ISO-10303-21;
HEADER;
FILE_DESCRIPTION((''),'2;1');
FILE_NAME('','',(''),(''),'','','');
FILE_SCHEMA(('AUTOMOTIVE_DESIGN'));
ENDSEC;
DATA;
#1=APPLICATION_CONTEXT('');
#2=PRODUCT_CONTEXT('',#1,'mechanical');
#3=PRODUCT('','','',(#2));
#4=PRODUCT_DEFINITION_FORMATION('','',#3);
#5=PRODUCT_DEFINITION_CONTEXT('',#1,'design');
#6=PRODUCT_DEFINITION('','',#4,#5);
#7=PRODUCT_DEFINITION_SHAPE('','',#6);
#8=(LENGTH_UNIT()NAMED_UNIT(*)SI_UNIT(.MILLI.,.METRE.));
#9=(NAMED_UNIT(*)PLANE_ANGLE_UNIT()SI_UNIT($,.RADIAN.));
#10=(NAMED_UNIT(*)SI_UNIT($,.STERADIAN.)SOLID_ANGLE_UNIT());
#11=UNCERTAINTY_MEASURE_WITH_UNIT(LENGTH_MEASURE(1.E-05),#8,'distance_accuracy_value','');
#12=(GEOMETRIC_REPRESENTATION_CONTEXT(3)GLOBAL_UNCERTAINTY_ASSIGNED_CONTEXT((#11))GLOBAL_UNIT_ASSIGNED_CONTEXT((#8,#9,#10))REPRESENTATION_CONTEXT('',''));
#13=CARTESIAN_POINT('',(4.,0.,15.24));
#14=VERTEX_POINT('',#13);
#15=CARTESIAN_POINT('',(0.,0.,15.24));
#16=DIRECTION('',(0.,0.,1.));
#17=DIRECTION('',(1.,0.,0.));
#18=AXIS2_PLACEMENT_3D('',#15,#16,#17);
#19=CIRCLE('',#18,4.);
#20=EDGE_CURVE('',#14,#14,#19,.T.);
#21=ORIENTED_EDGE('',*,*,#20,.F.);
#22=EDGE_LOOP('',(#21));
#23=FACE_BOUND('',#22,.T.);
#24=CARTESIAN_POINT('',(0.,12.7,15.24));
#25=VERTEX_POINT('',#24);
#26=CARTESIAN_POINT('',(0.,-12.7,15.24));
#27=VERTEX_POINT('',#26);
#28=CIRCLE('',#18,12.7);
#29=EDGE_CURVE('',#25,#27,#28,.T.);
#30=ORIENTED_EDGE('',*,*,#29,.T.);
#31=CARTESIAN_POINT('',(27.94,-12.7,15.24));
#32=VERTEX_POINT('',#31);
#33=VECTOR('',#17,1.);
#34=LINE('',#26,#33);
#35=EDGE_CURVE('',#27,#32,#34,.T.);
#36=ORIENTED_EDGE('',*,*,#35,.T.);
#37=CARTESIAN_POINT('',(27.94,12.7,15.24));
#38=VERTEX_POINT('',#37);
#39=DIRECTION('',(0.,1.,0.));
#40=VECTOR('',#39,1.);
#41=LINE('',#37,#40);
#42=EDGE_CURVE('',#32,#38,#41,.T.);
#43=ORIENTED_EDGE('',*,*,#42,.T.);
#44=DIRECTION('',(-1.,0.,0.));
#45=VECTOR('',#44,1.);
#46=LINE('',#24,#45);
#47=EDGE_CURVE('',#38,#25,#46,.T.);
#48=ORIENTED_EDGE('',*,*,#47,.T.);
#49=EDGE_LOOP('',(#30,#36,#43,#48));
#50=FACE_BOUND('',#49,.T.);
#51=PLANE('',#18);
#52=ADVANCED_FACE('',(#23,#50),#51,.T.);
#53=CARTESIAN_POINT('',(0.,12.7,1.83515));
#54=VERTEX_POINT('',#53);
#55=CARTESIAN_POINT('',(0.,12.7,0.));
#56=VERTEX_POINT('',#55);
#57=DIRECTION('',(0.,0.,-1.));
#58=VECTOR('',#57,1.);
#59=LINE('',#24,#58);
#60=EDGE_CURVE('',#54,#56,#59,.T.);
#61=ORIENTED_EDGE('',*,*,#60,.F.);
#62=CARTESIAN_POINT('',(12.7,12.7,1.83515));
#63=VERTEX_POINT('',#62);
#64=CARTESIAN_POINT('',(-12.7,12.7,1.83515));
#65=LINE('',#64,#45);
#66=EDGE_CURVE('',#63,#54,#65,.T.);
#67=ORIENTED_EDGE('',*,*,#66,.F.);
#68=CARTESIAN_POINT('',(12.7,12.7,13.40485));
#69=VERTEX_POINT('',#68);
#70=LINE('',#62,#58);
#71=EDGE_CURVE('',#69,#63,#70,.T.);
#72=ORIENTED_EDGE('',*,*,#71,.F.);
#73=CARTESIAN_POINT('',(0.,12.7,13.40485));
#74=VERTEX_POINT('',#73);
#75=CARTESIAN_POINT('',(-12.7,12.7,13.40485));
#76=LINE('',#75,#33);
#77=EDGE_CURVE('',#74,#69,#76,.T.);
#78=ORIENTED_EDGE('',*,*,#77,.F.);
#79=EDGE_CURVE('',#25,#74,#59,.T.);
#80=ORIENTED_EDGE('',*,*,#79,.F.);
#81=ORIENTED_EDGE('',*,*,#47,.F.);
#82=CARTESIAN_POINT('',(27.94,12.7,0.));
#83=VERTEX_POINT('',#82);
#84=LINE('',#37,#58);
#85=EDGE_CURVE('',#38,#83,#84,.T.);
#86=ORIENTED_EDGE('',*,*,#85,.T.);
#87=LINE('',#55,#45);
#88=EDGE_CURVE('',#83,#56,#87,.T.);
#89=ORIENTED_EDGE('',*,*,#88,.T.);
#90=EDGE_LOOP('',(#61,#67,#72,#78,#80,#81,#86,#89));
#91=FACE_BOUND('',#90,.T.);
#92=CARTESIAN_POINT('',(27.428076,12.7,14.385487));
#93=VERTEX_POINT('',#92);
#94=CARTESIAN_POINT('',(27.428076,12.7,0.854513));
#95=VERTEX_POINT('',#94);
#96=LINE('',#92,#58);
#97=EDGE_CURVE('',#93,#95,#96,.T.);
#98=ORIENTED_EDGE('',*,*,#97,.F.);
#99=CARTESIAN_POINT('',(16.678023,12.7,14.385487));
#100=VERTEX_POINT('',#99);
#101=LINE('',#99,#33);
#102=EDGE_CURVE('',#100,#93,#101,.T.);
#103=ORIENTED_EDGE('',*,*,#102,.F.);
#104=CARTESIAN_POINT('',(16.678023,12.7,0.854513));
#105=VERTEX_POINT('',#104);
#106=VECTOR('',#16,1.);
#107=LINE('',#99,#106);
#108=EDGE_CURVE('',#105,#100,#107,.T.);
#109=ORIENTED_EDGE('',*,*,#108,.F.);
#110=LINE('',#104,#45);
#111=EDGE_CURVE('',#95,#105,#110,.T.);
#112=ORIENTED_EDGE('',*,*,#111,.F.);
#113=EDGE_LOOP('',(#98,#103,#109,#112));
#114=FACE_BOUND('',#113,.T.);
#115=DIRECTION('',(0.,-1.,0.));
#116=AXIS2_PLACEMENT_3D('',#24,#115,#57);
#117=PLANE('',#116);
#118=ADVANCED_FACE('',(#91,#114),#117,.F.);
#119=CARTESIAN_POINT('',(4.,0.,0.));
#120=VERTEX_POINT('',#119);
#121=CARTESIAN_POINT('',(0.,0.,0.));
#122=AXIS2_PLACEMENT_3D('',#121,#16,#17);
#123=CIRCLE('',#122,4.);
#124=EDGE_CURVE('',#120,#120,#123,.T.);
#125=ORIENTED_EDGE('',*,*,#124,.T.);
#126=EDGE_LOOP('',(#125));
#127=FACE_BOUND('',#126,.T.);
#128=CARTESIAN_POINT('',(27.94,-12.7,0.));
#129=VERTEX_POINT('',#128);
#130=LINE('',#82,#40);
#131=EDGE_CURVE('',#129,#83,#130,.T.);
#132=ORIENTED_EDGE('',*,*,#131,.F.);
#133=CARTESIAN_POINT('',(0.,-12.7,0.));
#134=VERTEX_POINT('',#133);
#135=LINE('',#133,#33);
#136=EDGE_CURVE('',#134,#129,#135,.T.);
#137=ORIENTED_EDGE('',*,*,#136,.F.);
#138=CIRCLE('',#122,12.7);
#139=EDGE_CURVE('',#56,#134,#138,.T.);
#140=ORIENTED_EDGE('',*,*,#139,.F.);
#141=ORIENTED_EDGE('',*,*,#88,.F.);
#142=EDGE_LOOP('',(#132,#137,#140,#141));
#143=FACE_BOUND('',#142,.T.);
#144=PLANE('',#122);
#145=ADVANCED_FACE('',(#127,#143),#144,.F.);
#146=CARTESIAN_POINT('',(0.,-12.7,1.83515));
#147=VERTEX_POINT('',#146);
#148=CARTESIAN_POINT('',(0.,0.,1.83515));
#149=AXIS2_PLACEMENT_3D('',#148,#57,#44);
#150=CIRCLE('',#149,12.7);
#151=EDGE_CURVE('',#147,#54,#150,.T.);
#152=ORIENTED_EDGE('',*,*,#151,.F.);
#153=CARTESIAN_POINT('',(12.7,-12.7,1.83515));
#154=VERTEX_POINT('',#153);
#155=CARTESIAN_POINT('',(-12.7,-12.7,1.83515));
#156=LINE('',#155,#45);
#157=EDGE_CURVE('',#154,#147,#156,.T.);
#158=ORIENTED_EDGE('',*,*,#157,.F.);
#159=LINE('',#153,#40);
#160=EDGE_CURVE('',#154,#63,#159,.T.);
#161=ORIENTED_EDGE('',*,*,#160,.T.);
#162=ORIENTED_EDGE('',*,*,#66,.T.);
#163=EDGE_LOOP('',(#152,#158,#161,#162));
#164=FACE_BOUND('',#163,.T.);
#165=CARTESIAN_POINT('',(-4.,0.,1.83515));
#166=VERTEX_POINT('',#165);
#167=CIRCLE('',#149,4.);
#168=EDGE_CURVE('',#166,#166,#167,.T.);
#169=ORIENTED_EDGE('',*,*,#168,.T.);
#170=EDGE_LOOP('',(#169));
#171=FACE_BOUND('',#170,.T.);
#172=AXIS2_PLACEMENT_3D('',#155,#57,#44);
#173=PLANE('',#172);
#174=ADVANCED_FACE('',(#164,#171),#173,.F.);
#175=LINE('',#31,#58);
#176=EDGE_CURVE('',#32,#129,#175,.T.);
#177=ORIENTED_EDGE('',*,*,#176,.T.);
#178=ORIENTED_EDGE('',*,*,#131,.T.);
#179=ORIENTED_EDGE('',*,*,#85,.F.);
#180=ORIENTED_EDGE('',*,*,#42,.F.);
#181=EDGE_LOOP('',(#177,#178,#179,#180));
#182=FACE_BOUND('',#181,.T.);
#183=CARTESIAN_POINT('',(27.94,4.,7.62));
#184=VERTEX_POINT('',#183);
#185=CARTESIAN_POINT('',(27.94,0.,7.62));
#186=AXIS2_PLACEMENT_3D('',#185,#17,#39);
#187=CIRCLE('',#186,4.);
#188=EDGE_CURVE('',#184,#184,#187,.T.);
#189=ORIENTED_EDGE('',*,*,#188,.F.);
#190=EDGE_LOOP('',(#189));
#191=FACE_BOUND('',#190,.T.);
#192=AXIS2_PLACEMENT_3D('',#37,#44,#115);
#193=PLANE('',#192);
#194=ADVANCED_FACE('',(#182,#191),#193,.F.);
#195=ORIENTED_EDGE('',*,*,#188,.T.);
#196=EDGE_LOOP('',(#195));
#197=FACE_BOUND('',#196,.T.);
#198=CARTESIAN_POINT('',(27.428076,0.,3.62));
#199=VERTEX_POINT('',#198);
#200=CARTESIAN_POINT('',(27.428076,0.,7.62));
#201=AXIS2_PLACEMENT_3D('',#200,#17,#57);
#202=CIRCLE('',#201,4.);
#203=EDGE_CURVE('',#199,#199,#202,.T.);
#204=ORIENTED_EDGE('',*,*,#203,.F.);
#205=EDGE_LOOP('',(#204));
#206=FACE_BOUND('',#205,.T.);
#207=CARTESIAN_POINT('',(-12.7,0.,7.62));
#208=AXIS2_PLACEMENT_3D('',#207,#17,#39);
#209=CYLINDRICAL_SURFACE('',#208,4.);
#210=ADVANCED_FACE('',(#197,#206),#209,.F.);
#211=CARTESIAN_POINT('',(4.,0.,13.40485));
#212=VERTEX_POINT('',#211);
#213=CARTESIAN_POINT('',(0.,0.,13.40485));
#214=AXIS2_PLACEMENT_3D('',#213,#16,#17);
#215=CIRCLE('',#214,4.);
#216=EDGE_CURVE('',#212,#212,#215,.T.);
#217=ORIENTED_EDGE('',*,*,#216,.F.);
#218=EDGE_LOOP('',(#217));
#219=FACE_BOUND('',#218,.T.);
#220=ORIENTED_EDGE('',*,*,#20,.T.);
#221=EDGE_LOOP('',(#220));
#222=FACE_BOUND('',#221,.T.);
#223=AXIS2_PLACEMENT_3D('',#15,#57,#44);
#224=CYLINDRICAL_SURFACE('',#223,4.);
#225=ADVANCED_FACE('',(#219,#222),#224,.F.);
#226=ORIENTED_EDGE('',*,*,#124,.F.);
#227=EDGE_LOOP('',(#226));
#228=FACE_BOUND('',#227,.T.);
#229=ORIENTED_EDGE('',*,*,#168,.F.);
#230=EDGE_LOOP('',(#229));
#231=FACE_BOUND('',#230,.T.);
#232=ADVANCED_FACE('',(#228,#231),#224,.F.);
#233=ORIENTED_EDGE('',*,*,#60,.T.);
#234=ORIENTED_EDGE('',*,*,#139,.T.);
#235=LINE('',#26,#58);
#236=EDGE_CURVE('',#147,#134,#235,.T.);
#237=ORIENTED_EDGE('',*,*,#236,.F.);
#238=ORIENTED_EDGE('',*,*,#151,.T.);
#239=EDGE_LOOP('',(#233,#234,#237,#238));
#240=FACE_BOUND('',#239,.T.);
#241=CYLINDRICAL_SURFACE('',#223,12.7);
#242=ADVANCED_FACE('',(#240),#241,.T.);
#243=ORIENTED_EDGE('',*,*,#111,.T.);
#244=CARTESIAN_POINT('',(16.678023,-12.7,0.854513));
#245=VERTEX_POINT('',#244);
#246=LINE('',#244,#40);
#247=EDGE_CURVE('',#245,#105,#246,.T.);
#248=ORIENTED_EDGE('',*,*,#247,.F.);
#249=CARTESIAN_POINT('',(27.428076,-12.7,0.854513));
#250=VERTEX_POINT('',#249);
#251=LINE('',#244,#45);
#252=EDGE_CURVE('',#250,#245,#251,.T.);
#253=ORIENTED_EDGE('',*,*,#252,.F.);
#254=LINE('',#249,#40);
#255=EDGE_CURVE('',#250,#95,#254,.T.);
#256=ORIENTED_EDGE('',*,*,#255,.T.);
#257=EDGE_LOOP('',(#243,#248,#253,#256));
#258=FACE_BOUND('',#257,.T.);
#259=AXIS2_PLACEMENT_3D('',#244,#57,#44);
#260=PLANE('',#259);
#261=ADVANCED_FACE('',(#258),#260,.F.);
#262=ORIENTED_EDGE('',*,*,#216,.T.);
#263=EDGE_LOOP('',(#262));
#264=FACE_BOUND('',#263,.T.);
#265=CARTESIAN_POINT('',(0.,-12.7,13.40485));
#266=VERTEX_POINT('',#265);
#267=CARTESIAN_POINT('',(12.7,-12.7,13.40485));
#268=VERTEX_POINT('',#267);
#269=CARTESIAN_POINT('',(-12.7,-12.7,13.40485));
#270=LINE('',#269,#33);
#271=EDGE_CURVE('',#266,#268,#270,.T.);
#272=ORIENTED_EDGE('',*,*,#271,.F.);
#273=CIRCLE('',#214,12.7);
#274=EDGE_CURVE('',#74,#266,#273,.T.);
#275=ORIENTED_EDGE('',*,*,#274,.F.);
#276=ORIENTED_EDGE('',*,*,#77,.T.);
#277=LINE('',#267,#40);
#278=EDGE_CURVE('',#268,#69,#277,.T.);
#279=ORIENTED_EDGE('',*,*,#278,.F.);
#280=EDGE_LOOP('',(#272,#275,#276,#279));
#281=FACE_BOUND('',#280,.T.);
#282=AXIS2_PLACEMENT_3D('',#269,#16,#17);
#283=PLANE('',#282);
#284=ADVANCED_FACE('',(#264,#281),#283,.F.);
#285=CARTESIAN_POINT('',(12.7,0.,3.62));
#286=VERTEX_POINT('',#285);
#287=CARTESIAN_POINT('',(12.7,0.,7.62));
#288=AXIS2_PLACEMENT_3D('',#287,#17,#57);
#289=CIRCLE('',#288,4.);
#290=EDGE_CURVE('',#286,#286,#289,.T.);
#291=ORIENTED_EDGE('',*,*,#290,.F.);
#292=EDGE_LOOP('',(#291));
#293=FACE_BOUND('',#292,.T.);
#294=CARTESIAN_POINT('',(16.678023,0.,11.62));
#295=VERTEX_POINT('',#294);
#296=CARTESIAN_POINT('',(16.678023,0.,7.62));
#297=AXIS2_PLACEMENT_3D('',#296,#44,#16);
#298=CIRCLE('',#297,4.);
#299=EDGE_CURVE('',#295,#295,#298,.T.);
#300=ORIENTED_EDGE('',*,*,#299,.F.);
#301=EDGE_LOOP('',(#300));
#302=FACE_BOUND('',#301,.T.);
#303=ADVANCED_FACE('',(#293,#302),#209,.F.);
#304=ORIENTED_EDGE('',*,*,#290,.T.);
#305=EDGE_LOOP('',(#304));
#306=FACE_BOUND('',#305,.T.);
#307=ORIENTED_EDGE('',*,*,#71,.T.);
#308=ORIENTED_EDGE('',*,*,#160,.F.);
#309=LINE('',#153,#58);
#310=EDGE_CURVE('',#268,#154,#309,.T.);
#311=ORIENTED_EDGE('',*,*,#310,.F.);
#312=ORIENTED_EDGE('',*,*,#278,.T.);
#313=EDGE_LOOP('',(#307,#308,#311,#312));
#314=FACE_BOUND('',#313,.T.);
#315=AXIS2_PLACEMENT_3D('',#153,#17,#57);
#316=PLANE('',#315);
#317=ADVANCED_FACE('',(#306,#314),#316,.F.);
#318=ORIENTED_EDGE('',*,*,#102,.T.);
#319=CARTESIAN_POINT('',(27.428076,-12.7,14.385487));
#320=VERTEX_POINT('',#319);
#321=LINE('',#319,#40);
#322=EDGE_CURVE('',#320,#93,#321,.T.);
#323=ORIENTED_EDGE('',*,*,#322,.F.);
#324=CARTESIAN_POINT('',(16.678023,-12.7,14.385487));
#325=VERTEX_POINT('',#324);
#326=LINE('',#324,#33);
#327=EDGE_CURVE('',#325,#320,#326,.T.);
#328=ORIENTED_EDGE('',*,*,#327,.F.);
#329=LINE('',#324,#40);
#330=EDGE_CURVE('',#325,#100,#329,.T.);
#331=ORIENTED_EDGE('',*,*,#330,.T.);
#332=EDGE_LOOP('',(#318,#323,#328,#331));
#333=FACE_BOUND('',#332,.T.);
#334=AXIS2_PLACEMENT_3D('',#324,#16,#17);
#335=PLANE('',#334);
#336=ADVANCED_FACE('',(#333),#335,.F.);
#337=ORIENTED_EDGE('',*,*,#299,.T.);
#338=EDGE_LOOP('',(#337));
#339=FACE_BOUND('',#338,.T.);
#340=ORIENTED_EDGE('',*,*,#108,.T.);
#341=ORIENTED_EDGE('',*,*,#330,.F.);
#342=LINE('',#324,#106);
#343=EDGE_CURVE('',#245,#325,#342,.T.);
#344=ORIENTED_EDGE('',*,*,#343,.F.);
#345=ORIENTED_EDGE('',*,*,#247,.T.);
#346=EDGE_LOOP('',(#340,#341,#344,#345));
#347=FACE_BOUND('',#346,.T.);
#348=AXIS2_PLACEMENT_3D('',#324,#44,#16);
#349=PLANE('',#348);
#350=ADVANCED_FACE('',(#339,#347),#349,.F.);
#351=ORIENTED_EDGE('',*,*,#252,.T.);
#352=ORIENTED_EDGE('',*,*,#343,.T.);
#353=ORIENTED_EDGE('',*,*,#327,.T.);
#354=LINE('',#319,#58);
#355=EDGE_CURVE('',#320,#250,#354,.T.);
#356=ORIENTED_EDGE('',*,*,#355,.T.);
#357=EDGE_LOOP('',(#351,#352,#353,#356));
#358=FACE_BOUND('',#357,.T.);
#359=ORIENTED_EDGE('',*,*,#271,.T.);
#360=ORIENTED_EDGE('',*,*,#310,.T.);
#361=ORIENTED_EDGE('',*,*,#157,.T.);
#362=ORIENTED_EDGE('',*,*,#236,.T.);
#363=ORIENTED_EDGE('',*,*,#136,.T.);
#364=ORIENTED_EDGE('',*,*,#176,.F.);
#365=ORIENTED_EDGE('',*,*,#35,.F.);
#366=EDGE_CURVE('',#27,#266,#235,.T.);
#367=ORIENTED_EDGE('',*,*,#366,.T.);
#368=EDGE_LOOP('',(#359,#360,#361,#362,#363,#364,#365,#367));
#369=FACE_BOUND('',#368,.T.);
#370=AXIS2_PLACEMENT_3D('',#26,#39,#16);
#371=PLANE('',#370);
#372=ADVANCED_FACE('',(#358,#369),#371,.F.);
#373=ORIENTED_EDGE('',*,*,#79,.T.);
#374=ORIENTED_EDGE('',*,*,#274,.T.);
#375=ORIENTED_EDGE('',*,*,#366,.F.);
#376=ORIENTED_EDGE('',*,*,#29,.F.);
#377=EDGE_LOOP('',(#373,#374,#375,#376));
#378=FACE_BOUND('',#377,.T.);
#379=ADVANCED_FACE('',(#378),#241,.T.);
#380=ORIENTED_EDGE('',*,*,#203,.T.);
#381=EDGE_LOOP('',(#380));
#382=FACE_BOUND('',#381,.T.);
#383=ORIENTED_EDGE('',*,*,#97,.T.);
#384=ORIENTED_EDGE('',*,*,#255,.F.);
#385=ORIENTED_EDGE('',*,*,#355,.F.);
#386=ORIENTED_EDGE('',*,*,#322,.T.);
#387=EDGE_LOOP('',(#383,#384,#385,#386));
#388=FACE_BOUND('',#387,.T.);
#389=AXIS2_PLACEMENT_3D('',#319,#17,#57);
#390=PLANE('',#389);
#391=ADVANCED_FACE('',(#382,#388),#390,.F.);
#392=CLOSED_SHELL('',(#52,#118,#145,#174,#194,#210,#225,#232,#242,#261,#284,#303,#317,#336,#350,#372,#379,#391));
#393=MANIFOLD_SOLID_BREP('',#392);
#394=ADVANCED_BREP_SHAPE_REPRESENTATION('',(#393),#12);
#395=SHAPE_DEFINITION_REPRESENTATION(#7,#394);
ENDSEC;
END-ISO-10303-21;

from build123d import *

# Parameters (mm, degrees)
SKETCH1_R           = 4
BOSS_EXTRUDE1_DEPTH = 15.24
SKETCH2_W           = 25.4
SKETCH2_H           = 11.5697
CUT_EXTRUDE1_DEPTH  = 26.4
SKETCH3_W           = 10.75005279
SKETCH3_H           = 13.530974344
CUT_EXTRUDE2_DEPTH  = 26.4
SKETCH4_R           = 4
CUT_EXTRUDE3_DEPTH  = 41.64


with BuildPart() as part:
    # Sketch1 → Boss-Extrude1 (new body)
    with BuildSketch(Plane.XY):
        with BuildLine():
            Line((0, 12.7), (27.94, 12.7))
            Line((27.94, 12.7), (27.94, -12.7))
            Line((27.94, -12.7), (0, -12.7))
            ThreePointArc((0, -12.7), (-12.7, 0), (0, 12.7))
        make_face()
        Circle(SKETCH1_R, mode=Mode.SUBTRACT)
    extrude(amount=BOSS_EXTRUDE1_DEPTH)

    # Sketch2 → Cut-Extrude1 (cut, through all)
    with BuildSketch(Plane(origin=(0, 12.7, 0), x_dir=(1, 0, 0), z_dir=(0, 1, 0))):
        with Locations((0, -7.62)):
            Rectangle(SKETCH2_W, SKETCH2_H)
    extrude(amount=-CUT_EXTRUDE1_DEPTH, mode=Mode.SUBTRACT)

    # Sketch3 → Cut-Extrude2 (cut, through all)
    with BuildSketch(Plane(origin=(0, 12.7, 0), x_dir=(1, 0, 0), z_dir=(0, 1, 0))):
        with Locations((22.053049583, -7.62)):
            Rectangle(SKETCH3_W, SKETCH3_H)
    extrude(amount=-CUT_EXTRUDE2_DEPTH, mode=Mode.SUBTRACT)

    # Sketch4 → Cut-Extrude3 (cut, through all)
    with BuildSketch(Plane(origin=(27.94, 0, 0), x_dir=(0, 0, -1), z_dir=(1, 0, 0))):
        with Locations((-7.62, 0)):
            Circle(SKETCH4_R)
    extrude(amount=-CUT_EXTRUDE3_DEPTH, mode=Mode.SUBTRACT)


solid = part.part
